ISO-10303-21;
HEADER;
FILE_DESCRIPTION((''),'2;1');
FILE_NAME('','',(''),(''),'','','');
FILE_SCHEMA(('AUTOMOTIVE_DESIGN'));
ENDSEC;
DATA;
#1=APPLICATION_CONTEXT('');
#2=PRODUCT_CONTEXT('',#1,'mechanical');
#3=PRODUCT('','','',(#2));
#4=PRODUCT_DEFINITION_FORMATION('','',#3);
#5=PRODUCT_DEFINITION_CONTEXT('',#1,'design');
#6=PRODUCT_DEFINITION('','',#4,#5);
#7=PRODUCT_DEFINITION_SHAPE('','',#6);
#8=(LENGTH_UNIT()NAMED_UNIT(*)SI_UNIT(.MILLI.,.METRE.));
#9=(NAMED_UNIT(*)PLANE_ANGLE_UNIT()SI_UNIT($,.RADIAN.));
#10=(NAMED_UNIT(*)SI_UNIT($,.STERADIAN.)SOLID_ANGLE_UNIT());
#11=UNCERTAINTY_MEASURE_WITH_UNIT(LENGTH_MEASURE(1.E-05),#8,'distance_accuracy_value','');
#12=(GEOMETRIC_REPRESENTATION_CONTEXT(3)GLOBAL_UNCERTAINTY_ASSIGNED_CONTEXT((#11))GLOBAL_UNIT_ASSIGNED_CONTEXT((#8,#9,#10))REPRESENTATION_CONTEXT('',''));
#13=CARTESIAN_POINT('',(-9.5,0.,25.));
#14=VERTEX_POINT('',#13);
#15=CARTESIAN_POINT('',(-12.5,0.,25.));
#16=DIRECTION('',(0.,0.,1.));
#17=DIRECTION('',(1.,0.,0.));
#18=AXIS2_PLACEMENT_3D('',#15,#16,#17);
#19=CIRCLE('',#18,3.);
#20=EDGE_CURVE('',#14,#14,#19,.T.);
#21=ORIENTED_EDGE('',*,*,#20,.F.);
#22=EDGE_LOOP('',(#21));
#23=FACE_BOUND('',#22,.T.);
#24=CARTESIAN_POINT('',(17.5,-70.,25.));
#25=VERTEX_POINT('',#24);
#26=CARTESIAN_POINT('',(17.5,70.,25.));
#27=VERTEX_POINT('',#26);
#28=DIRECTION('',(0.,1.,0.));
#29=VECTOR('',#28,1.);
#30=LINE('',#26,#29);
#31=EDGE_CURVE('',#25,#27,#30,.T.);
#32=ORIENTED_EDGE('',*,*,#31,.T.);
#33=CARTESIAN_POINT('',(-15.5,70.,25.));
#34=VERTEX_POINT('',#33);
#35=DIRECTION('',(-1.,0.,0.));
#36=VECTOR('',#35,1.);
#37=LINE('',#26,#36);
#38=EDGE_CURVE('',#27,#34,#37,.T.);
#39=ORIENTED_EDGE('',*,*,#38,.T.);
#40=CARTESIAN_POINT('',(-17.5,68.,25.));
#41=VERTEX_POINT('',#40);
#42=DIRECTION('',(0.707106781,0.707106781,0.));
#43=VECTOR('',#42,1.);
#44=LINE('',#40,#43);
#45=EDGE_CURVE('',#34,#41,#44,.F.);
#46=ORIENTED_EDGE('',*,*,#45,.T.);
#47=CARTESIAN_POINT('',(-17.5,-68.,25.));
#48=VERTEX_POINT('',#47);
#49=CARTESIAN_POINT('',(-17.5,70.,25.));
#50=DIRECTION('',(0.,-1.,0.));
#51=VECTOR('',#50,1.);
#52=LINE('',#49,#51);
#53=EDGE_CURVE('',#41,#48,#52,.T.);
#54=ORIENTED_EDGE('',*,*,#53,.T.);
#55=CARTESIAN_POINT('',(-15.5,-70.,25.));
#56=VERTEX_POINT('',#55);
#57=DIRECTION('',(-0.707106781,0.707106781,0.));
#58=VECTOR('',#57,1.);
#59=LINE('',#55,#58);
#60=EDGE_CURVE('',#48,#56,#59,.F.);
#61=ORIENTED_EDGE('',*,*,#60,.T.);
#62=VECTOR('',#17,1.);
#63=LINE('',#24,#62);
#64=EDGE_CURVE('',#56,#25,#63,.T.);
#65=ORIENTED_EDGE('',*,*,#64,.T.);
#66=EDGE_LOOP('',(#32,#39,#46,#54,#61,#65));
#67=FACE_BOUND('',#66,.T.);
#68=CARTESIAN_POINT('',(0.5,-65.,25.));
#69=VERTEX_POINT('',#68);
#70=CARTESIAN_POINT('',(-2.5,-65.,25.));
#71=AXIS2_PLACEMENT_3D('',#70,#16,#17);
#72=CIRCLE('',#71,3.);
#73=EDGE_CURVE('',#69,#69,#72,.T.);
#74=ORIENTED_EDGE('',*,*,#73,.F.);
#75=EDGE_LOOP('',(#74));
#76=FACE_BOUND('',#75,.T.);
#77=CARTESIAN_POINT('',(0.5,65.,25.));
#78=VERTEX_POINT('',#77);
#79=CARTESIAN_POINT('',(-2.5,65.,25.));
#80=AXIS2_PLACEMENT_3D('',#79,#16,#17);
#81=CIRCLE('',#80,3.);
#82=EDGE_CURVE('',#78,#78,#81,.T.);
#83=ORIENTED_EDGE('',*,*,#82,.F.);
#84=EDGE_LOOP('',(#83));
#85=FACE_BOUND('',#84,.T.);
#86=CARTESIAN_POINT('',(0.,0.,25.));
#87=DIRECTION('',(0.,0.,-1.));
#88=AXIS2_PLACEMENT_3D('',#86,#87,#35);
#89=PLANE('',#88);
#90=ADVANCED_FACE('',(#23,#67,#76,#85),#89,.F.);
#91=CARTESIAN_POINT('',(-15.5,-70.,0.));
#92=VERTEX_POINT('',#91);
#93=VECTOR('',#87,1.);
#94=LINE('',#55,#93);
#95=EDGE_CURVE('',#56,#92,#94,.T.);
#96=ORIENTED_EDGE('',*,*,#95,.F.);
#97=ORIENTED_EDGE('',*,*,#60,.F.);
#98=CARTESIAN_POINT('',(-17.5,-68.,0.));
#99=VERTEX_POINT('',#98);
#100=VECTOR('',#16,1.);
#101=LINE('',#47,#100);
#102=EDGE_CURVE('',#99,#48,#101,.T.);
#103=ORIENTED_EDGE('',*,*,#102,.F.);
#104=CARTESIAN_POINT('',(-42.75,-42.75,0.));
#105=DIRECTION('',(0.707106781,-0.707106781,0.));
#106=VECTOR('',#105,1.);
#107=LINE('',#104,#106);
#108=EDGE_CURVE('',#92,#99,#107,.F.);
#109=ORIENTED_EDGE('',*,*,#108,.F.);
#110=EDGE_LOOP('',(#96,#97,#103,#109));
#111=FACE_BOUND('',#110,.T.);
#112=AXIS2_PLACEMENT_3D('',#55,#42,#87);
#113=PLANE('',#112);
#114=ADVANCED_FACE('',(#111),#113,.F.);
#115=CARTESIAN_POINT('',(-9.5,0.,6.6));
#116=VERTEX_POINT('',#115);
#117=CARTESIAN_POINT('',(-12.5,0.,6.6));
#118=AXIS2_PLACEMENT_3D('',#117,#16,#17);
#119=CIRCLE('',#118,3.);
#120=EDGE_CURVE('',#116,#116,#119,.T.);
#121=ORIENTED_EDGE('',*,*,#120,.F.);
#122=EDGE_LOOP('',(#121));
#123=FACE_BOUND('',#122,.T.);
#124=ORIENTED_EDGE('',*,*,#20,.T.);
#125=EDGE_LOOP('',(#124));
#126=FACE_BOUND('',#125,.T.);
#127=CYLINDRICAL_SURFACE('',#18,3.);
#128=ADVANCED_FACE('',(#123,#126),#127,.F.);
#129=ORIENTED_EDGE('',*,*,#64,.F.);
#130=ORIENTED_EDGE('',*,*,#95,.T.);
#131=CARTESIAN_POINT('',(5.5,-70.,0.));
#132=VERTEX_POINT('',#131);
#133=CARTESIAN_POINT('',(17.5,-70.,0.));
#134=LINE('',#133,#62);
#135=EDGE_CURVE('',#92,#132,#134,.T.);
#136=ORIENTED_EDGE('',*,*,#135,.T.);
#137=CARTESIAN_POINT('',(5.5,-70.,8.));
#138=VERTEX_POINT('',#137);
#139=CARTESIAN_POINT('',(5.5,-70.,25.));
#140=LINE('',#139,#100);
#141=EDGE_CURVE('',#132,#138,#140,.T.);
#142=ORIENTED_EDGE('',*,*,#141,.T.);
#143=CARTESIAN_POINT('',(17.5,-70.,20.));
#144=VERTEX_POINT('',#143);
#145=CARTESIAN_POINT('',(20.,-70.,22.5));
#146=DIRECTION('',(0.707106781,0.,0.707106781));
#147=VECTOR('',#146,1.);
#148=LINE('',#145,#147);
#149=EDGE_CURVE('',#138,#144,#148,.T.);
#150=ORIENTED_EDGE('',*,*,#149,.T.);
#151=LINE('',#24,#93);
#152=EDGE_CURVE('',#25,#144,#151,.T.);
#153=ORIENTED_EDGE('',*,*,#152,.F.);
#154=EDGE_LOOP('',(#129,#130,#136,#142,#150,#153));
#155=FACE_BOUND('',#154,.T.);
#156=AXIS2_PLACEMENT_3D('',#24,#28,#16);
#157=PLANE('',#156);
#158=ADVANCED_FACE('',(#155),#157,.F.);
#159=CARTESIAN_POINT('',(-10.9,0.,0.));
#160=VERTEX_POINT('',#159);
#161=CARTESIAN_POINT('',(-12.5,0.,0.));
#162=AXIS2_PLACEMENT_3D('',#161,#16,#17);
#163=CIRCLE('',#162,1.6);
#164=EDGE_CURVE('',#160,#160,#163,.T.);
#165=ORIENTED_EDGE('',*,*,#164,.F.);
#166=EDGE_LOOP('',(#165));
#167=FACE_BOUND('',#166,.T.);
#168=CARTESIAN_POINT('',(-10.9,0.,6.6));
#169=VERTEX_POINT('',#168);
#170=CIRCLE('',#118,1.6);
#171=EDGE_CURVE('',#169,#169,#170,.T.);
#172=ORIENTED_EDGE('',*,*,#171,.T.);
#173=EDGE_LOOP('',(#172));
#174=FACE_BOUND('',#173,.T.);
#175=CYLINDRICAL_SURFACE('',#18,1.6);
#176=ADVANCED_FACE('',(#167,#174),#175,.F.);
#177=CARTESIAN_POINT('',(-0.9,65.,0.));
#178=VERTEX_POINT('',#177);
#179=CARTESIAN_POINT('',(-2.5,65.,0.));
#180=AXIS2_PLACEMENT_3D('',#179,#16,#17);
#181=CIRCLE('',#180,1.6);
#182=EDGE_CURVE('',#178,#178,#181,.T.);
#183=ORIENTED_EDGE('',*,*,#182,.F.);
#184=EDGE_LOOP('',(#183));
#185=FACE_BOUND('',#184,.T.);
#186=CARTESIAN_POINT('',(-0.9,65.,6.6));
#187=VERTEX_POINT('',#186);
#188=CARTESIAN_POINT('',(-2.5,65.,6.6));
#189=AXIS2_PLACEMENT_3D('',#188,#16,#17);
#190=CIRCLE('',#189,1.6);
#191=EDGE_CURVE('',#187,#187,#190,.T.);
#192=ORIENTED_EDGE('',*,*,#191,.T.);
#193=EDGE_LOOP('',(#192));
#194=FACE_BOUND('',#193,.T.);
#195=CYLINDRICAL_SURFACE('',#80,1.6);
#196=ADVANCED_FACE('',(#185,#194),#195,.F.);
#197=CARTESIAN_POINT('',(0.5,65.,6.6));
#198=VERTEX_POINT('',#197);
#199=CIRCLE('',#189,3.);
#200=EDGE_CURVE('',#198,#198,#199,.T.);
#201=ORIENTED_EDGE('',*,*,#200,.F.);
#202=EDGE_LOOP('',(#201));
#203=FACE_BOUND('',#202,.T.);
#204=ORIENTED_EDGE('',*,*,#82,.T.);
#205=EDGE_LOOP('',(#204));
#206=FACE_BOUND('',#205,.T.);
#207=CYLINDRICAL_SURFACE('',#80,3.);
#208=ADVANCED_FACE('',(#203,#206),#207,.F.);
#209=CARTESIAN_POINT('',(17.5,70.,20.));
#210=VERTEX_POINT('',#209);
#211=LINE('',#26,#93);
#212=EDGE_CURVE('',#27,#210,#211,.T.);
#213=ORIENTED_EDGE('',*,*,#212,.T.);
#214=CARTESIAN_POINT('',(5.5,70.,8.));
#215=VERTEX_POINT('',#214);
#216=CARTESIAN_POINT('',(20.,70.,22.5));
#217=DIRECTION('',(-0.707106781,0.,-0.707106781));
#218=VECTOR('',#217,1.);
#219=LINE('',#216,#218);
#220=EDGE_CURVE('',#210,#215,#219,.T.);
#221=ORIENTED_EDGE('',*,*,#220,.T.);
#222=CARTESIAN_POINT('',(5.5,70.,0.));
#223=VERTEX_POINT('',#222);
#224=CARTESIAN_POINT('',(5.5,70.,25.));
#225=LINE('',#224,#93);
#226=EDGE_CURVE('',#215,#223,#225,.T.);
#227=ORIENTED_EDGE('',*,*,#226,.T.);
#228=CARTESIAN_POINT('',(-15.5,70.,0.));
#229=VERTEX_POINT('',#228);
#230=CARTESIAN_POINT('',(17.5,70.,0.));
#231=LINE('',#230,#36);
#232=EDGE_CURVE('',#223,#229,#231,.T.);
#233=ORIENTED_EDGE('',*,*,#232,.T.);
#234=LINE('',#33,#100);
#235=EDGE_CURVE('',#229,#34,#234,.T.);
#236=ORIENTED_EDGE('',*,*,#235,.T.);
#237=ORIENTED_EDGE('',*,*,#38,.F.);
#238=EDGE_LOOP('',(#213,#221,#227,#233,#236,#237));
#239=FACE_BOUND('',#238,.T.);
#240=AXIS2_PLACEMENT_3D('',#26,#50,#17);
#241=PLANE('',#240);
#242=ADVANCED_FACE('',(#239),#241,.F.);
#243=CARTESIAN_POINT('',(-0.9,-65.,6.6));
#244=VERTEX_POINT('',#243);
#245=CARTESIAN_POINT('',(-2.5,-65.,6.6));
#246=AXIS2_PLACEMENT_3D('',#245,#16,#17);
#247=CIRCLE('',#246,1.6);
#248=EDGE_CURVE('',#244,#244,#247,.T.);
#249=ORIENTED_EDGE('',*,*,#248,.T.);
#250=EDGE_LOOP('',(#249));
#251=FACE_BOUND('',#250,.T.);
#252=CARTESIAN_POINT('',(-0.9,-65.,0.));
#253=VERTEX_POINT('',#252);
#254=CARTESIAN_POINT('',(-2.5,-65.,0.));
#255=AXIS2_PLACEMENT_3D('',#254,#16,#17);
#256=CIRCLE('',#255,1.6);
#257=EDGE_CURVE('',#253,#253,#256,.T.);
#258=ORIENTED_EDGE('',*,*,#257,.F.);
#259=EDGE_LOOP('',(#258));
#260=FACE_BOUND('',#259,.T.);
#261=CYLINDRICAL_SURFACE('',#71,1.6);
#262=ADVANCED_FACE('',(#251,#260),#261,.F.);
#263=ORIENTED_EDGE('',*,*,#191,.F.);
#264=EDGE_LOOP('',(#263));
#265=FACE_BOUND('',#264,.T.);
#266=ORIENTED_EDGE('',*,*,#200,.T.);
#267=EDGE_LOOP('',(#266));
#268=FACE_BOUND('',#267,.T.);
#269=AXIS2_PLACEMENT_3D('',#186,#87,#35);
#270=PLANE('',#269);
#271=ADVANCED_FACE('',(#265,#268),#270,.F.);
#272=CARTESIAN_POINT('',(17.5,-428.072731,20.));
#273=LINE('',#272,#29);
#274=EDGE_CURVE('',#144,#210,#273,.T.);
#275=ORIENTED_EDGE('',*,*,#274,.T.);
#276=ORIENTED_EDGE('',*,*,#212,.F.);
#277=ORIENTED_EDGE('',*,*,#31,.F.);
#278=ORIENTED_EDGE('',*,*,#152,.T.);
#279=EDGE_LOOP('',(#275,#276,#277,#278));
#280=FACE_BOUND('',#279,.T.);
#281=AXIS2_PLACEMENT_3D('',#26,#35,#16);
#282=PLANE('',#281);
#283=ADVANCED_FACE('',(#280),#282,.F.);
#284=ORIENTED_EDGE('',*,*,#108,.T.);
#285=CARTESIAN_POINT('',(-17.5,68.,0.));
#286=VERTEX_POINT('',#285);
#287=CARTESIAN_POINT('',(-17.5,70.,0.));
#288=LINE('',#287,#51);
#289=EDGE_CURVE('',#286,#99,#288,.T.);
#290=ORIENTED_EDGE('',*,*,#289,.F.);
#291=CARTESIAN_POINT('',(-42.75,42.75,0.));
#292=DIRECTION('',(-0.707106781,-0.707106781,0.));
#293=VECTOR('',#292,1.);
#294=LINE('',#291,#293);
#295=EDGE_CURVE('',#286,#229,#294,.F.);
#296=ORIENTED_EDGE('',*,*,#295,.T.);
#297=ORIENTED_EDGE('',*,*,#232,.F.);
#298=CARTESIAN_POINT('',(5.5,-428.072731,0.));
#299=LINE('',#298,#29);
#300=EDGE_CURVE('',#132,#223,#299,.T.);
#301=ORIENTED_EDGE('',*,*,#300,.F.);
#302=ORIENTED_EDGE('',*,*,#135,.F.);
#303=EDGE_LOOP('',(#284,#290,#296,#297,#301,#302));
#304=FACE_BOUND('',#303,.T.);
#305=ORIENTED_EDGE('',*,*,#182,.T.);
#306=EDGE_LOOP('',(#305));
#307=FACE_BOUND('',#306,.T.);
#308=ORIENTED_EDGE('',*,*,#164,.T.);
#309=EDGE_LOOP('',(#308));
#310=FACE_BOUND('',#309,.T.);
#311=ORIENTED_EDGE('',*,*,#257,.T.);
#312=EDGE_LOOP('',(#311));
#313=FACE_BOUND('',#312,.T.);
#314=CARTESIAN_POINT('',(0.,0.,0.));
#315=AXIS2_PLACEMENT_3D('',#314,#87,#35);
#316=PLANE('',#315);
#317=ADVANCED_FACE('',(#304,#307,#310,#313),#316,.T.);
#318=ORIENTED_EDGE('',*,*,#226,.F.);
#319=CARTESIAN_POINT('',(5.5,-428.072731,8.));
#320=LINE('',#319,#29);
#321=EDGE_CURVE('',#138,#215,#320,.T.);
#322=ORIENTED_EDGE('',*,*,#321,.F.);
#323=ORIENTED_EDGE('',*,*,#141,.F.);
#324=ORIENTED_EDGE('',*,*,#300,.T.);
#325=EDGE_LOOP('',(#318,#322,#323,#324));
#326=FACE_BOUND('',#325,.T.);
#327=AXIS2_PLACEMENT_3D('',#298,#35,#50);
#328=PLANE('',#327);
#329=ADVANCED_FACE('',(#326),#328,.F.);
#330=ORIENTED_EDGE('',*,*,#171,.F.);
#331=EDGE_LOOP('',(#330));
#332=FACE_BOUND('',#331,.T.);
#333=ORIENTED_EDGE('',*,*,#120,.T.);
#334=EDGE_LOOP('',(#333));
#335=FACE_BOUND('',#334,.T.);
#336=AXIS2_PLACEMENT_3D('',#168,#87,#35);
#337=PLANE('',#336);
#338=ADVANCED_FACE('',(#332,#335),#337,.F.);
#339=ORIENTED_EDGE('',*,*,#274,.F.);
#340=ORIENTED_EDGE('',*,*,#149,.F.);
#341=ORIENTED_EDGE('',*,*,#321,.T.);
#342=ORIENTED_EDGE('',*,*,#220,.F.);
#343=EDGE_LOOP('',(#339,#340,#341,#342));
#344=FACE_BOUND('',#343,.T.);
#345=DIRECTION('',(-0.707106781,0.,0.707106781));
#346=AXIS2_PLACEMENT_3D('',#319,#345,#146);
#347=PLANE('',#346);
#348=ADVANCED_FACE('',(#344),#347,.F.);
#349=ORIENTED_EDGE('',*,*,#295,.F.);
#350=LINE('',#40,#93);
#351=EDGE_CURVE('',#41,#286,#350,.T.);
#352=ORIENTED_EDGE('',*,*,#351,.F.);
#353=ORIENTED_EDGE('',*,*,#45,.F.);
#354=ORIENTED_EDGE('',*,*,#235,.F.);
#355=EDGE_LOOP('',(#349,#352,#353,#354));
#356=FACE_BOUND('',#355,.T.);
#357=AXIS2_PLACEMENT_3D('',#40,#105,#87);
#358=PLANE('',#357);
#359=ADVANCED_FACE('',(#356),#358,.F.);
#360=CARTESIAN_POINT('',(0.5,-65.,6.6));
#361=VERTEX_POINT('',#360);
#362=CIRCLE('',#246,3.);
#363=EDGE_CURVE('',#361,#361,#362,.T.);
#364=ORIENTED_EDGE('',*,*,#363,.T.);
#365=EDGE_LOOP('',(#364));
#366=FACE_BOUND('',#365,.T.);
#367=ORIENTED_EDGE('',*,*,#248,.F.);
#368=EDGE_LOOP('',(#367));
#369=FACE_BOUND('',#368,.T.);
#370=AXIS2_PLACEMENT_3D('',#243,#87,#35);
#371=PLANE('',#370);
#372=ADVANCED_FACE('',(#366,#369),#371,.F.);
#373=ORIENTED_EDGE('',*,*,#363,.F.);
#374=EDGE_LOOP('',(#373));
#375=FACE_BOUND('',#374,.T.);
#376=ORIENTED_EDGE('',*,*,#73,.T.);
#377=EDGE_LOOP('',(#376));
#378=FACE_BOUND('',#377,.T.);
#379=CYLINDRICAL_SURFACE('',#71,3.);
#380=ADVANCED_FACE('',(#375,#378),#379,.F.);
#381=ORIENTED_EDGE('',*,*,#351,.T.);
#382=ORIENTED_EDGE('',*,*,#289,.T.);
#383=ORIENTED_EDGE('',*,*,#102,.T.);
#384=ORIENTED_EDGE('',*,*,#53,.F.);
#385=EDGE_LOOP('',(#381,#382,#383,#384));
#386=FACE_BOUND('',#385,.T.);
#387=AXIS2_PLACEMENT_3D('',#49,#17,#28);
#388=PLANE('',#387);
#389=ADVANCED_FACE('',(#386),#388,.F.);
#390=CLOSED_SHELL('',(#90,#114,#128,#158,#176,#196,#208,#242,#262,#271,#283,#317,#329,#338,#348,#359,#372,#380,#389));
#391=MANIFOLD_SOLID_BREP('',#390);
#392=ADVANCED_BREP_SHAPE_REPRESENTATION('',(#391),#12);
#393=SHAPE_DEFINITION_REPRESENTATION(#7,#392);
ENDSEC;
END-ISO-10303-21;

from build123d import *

# Parameters (mm, degrees)
SKETCH1_W                                            = 35
SKETCH1_H                                            = 140
BOSS_EXTRUDE1_DEPTH                                  = 25
CUT_EXTRUDE1_DEPTH                                   = 144.287298809
CUT_EXTRUDE1_DEPTH_BACK                              = 144.287298809
CBORE_FOR_M3_HEXAGON_SOCKET_HEAD_CAP_SCR_D           = 3.2
CBORE_FOR_M3_HEXAGON_SOCKET_HEAD_CAP_SCR_CBORE_D     = 6
CBORE_FOR_M3_HEXAGON_SOCKET_HEAD_CAP_SCR_CBORE_DEPTH = 18.4
CHAMFER1_SIZE                                        = 2


with BuildPart() as part:
    # Sketch1 → Boss-Extrude1 (new body)
    with BuildSketch(Plane.XY):
        Rectangle(SKETCH1_W, SKETCH1_H)
    extrude(amount=BOSS_EXTRUDE1_DEPTH)

    # Sketch2 → Cut-Extrude1 (cut, two sides: drawn at the far end of the back side and taken through both)
    with BuildSketch(Plane.XZ.offset(70).offset(-CUT_EXTRUDE1_DEPTH_BACK)):
        Polygon((5.5, -90.622577483), (5.5, 0), (5.5, 8), (17.5, 20), (81.579839067, 84.079839067), (247.751789779, 11.714868294), (171.671950713, -162.987548256), align=None)
    extrude(amount=CUT_EXTRUDE1_DEPTH + CUT_EXTRUDE1_DEPTH_BACK, mode=Mode.SUBTRACT)

    # CBORE for M3 Hexagon socket head cap screws1 (through all)
    with Locations(Plane.XY.offset(25)):
        with Locations((-2.5, 65), (-12.5, 0), (-2.5, -65)):
            CounterBoreHole(CBORE_FOR_M3_HEXAGON_SOCKET_HEAD_CAP_SCR_D / 2, CBORE_FOR_M3_HEXAGON_SOCKET_HEAD_CAP_SCR_CBORE_D / 2, CBORE_FOR_M3_HEXAGON_SOCKET_HEAD_CAP_SCR_CBORE_DEPTH)

    # Chamfer1
    chamfer1_edges = [part.edges().sort_by_distance(p)[0] for p in [
        (-17.5, -70, 12.5),
        (-17.5, 70, 12.5),
    ]]
    chamfer(chamfer1_edges, length=CHAMFER1_SIZE)


solid = part.part
